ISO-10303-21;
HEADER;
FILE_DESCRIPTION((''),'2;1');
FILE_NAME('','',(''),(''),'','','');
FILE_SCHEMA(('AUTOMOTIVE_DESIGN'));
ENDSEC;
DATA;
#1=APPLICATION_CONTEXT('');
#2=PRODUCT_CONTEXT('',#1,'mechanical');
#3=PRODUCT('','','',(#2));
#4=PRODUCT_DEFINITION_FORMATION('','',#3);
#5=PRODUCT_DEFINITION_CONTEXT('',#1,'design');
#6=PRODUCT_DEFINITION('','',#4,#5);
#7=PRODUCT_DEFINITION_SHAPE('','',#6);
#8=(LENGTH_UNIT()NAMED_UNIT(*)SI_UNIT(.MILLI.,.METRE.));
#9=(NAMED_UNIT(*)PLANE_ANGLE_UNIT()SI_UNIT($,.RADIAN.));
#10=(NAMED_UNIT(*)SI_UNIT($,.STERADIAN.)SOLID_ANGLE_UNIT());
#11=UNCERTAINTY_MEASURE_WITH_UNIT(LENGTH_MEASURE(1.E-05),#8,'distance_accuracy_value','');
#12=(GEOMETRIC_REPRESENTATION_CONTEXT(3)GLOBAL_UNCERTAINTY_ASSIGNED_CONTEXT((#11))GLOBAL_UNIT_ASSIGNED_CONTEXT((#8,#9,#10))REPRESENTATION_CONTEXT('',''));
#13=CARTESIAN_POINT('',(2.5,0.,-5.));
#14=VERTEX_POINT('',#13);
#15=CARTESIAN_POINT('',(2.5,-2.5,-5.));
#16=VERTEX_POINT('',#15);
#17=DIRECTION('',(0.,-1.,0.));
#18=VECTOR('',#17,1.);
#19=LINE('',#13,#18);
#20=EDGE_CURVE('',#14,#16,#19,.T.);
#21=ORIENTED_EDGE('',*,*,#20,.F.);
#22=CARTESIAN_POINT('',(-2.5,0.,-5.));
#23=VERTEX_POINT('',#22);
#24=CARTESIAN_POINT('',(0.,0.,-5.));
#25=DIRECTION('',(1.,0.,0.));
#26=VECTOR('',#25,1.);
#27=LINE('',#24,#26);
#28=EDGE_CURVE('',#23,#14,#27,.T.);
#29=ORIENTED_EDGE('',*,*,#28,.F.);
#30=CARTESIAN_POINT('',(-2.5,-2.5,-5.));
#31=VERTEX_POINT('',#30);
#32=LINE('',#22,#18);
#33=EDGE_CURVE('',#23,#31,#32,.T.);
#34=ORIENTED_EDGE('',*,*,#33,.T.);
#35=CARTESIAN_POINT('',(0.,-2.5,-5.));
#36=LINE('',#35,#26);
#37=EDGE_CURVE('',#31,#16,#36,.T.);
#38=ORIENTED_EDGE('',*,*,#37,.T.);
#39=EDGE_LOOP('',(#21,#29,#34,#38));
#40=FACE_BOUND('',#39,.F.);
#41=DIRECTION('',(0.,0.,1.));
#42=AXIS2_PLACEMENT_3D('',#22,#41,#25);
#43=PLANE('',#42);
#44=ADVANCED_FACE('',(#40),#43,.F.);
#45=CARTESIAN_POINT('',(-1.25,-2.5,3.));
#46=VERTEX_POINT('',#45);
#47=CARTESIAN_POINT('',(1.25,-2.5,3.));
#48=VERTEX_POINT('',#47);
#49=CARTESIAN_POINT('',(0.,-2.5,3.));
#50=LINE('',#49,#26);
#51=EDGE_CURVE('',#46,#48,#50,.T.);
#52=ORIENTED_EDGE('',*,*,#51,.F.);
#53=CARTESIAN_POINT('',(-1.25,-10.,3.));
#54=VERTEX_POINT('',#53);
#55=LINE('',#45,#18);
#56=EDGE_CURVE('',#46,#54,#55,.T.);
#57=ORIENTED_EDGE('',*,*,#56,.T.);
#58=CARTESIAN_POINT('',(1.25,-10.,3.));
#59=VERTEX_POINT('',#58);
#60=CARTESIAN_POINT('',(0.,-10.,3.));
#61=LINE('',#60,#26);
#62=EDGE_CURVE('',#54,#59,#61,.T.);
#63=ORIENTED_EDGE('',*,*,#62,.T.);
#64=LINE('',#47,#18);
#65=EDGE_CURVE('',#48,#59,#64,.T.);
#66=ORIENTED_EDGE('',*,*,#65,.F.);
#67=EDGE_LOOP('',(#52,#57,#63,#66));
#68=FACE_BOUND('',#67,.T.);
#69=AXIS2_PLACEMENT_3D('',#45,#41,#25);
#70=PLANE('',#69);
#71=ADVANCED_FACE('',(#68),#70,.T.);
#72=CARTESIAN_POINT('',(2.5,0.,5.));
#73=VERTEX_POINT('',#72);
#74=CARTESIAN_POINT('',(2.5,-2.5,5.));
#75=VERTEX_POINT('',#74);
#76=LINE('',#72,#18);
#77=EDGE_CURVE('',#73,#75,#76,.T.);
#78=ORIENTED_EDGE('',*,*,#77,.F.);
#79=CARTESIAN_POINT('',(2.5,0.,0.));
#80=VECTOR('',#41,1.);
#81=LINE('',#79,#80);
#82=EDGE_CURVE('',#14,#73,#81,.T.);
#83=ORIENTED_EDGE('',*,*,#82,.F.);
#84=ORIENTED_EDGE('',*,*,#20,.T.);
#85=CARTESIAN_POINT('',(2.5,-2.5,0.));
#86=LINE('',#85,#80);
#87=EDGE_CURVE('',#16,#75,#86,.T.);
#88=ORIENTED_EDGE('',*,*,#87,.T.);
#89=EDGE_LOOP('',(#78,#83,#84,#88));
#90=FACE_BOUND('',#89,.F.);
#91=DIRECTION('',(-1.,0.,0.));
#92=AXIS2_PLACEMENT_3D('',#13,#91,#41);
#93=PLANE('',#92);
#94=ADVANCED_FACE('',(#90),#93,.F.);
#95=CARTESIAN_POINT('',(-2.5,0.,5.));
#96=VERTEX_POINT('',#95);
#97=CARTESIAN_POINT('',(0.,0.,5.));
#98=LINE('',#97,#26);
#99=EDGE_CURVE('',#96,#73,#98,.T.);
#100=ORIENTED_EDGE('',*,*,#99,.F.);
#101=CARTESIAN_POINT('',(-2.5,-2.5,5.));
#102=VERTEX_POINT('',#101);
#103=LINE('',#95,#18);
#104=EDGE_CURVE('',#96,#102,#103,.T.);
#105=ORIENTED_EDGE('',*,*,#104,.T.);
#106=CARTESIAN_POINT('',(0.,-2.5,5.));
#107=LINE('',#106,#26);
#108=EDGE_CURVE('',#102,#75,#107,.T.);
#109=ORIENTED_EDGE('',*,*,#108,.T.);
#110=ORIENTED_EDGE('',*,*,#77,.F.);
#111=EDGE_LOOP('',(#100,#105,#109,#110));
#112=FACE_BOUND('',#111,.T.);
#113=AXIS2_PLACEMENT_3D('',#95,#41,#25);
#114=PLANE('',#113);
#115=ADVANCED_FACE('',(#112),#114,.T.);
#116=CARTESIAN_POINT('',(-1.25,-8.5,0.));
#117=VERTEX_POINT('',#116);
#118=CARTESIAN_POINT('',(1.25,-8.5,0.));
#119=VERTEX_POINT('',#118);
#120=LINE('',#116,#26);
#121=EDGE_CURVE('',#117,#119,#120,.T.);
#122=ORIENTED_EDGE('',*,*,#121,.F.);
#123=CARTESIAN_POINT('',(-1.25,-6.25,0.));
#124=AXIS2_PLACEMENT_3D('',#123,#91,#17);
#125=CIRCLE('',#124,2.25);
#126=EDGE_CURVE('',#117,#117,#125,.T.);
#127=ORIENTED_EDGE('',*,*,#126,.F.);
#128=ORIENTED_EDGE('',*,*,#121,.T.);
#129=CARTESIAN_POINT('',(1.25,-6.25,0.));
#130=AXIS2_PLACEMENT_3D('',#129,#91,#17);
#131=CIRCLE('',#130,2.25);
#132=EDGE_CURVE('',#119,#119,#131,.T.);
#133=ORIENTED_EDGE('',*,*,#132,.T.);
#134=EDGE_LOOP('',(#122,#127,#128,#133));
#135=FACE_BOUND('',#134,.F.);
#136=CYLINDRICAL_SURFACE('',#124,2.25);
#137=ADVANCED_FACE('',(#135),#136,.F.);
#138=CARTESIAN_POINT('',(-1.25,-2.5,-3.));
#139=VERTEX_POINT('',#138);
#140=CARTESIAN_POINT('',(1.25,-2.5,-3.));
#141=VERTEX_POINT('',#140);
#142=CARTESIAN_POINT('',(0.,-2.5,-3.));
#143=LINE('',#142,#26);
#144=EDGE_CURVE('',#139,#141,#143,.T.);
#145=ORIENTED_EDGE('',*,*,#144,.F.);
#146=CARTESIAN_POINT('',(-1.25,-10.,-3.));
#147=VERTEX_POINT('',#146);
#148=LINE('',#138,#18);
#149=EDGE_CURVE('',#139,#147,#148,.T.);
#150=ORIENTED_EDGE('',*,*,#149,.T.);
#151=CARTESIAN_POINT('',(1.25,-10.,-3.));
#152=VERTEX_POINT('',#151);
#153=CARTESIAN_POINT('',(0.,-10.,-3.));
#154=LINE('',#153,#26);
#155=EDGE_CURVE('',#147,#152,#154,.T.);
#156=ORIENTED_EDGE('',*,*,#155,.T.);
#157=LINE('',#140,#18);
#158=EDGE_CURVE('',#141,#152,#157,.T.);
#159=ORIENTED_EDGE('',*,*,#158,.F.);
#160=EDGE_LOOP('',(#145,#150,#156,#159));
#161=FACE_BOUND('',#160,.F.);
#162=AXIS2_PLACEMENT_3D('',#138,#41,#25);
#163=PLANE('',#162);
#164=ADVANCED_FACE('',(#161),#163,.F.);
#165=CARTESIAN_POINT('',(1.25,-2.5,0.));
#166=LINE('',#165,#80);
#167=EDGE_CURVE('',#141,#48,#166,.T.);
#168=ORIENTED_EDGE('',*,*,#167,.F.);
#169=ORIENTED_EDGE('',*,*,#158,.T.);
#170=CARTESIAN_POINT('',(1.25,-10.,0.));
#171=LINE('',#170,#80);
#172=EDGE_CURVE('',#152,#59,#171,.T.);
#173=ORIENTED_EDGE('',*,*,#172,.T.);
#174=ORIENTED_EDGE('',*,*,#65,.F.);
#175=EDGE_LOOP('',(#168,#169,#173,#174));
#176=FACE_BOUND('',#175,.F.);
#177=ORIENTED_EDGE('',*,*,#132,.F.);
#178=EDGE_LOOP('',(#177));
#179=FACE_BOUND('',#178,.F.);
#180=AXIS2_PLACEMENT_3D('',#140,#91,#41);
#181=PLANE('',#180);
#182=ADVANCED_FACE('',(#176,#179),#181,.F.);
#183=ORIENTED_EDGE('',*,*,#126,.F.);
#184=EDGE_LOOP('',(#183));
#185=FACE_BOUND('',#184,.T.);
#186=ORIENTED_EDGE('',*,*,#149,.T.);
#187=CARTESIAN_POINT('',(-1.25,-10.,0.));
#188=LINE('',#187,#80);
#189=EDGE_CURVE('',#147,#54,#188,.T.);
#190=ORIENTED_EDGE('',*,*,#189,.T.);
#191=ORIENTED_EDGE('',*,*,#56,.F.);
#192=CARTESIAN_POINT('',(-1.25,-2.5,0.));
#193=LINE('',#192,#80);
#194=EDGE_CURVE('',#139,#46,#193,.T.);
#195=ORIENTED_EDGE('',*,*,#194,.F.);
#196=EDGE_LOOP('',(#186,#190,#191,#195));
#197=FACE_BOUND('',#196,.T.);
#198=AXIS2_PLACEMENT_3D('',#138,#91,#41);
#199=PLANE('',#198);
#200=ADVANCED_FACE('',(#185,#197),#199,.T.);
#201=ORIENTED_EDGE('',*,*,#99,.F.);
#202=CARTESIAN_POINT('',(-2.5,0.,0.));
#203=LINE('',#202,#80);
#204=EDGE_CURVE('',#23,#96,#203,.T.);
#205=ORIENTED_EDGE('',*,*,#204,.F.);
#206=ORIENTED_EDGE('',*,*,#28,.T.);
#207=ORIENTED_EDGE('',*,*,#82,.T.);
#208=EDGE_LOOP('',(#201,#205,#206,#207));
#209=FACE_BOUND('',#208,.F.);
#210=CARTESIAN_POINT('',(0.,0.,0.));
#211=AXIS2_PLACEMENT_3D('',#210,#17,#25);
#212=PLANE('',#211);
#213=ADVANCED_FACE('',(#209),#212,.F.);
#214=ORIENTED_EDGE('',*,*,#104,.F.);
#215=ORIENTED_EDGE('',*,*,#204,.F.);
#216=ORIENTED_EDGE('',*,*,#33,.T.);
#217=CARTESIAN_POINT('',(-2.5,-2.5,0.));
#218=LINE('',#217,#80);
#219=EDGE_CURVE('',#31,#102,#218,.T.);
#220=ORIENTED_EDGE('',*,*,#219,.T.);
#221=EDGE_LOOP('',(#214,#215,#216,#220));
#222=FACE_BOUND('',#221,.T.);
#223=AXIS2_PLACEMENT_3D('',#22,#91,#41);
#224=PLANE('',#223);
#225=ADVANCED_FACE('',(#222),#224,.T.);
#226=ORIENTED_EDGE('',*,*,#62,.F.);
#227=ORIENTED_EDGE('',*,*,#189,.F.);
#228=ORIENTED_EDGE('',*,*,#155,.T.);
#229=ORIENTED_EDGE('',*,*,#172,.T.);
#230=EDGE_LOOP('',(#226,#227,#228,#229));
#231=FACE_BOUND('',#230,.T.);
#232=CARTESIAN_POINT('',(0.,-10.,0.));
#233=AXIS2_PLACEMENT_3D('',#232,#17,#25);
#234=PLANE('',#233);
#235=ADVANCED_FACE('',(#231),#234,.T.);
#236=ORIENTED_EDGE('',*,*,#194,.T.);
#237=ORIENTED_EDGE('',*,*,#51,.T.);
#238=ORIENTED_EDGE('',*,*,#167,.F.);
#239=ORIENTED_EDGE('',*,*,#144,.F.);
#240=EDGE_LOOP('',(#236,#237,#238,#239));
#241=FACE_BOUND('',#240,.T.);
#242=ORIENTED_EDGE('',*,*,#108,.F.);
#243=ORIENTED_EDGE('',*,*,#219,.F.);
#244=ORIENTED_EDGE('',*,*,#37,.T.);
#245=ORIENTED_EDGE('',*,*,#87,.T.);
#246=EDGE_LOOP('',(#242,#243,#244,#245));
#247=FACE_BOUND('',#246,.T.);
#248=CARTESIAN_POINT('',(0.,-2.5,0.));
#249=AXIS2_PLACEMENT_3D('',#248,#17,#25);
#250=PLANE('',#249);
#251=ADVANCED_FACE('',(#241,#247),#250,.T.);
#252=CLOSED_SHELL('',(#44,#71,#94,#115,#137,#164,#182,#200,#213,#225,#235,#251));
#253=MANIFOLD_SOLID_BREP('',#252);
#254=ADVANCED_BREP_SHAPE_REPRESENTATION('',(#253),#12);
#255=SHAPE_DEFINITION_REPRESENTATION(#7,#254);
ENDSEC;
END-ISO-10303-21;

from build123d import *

# Parameters (mm, degrees)
F0_W     = 5
F0_H     = 10
F1_DEPTH = 2.5
F2_W     = 2.5
F2_H     = 6
F3_DEPTH = 7.5
F4_R     = 2.25
F5_DEPTH = 3.44


with BuildPart() as f1:
    # F0 (on Front) → F1 (new body)
    with BuildSketch(Plane.XZ):
        Rectangle(F0_W, F0_H)
    extrude(amount=F1_DEPTH)

    # F2 (on face) → F3 (join)
    with BuildSketch(Plane.XZ.offset(2.5)):
        Rectangle(F2_W, F2_H)
    extrude(amount=F3_DEPTH)

    # F4 (on face) → F5 (cut)
    with BuildSketch(Plane(origin=(-1.25, 0, 0), x_dir=(0, -1, 0), z_dir=(-1, 0, 0))):
        with Locations((6.25, 0)):
            Circle(F4_R)
    extrude(amount=-F5_DEPTH, mode=Mode.SUBTRACT)


solid = f1.part
